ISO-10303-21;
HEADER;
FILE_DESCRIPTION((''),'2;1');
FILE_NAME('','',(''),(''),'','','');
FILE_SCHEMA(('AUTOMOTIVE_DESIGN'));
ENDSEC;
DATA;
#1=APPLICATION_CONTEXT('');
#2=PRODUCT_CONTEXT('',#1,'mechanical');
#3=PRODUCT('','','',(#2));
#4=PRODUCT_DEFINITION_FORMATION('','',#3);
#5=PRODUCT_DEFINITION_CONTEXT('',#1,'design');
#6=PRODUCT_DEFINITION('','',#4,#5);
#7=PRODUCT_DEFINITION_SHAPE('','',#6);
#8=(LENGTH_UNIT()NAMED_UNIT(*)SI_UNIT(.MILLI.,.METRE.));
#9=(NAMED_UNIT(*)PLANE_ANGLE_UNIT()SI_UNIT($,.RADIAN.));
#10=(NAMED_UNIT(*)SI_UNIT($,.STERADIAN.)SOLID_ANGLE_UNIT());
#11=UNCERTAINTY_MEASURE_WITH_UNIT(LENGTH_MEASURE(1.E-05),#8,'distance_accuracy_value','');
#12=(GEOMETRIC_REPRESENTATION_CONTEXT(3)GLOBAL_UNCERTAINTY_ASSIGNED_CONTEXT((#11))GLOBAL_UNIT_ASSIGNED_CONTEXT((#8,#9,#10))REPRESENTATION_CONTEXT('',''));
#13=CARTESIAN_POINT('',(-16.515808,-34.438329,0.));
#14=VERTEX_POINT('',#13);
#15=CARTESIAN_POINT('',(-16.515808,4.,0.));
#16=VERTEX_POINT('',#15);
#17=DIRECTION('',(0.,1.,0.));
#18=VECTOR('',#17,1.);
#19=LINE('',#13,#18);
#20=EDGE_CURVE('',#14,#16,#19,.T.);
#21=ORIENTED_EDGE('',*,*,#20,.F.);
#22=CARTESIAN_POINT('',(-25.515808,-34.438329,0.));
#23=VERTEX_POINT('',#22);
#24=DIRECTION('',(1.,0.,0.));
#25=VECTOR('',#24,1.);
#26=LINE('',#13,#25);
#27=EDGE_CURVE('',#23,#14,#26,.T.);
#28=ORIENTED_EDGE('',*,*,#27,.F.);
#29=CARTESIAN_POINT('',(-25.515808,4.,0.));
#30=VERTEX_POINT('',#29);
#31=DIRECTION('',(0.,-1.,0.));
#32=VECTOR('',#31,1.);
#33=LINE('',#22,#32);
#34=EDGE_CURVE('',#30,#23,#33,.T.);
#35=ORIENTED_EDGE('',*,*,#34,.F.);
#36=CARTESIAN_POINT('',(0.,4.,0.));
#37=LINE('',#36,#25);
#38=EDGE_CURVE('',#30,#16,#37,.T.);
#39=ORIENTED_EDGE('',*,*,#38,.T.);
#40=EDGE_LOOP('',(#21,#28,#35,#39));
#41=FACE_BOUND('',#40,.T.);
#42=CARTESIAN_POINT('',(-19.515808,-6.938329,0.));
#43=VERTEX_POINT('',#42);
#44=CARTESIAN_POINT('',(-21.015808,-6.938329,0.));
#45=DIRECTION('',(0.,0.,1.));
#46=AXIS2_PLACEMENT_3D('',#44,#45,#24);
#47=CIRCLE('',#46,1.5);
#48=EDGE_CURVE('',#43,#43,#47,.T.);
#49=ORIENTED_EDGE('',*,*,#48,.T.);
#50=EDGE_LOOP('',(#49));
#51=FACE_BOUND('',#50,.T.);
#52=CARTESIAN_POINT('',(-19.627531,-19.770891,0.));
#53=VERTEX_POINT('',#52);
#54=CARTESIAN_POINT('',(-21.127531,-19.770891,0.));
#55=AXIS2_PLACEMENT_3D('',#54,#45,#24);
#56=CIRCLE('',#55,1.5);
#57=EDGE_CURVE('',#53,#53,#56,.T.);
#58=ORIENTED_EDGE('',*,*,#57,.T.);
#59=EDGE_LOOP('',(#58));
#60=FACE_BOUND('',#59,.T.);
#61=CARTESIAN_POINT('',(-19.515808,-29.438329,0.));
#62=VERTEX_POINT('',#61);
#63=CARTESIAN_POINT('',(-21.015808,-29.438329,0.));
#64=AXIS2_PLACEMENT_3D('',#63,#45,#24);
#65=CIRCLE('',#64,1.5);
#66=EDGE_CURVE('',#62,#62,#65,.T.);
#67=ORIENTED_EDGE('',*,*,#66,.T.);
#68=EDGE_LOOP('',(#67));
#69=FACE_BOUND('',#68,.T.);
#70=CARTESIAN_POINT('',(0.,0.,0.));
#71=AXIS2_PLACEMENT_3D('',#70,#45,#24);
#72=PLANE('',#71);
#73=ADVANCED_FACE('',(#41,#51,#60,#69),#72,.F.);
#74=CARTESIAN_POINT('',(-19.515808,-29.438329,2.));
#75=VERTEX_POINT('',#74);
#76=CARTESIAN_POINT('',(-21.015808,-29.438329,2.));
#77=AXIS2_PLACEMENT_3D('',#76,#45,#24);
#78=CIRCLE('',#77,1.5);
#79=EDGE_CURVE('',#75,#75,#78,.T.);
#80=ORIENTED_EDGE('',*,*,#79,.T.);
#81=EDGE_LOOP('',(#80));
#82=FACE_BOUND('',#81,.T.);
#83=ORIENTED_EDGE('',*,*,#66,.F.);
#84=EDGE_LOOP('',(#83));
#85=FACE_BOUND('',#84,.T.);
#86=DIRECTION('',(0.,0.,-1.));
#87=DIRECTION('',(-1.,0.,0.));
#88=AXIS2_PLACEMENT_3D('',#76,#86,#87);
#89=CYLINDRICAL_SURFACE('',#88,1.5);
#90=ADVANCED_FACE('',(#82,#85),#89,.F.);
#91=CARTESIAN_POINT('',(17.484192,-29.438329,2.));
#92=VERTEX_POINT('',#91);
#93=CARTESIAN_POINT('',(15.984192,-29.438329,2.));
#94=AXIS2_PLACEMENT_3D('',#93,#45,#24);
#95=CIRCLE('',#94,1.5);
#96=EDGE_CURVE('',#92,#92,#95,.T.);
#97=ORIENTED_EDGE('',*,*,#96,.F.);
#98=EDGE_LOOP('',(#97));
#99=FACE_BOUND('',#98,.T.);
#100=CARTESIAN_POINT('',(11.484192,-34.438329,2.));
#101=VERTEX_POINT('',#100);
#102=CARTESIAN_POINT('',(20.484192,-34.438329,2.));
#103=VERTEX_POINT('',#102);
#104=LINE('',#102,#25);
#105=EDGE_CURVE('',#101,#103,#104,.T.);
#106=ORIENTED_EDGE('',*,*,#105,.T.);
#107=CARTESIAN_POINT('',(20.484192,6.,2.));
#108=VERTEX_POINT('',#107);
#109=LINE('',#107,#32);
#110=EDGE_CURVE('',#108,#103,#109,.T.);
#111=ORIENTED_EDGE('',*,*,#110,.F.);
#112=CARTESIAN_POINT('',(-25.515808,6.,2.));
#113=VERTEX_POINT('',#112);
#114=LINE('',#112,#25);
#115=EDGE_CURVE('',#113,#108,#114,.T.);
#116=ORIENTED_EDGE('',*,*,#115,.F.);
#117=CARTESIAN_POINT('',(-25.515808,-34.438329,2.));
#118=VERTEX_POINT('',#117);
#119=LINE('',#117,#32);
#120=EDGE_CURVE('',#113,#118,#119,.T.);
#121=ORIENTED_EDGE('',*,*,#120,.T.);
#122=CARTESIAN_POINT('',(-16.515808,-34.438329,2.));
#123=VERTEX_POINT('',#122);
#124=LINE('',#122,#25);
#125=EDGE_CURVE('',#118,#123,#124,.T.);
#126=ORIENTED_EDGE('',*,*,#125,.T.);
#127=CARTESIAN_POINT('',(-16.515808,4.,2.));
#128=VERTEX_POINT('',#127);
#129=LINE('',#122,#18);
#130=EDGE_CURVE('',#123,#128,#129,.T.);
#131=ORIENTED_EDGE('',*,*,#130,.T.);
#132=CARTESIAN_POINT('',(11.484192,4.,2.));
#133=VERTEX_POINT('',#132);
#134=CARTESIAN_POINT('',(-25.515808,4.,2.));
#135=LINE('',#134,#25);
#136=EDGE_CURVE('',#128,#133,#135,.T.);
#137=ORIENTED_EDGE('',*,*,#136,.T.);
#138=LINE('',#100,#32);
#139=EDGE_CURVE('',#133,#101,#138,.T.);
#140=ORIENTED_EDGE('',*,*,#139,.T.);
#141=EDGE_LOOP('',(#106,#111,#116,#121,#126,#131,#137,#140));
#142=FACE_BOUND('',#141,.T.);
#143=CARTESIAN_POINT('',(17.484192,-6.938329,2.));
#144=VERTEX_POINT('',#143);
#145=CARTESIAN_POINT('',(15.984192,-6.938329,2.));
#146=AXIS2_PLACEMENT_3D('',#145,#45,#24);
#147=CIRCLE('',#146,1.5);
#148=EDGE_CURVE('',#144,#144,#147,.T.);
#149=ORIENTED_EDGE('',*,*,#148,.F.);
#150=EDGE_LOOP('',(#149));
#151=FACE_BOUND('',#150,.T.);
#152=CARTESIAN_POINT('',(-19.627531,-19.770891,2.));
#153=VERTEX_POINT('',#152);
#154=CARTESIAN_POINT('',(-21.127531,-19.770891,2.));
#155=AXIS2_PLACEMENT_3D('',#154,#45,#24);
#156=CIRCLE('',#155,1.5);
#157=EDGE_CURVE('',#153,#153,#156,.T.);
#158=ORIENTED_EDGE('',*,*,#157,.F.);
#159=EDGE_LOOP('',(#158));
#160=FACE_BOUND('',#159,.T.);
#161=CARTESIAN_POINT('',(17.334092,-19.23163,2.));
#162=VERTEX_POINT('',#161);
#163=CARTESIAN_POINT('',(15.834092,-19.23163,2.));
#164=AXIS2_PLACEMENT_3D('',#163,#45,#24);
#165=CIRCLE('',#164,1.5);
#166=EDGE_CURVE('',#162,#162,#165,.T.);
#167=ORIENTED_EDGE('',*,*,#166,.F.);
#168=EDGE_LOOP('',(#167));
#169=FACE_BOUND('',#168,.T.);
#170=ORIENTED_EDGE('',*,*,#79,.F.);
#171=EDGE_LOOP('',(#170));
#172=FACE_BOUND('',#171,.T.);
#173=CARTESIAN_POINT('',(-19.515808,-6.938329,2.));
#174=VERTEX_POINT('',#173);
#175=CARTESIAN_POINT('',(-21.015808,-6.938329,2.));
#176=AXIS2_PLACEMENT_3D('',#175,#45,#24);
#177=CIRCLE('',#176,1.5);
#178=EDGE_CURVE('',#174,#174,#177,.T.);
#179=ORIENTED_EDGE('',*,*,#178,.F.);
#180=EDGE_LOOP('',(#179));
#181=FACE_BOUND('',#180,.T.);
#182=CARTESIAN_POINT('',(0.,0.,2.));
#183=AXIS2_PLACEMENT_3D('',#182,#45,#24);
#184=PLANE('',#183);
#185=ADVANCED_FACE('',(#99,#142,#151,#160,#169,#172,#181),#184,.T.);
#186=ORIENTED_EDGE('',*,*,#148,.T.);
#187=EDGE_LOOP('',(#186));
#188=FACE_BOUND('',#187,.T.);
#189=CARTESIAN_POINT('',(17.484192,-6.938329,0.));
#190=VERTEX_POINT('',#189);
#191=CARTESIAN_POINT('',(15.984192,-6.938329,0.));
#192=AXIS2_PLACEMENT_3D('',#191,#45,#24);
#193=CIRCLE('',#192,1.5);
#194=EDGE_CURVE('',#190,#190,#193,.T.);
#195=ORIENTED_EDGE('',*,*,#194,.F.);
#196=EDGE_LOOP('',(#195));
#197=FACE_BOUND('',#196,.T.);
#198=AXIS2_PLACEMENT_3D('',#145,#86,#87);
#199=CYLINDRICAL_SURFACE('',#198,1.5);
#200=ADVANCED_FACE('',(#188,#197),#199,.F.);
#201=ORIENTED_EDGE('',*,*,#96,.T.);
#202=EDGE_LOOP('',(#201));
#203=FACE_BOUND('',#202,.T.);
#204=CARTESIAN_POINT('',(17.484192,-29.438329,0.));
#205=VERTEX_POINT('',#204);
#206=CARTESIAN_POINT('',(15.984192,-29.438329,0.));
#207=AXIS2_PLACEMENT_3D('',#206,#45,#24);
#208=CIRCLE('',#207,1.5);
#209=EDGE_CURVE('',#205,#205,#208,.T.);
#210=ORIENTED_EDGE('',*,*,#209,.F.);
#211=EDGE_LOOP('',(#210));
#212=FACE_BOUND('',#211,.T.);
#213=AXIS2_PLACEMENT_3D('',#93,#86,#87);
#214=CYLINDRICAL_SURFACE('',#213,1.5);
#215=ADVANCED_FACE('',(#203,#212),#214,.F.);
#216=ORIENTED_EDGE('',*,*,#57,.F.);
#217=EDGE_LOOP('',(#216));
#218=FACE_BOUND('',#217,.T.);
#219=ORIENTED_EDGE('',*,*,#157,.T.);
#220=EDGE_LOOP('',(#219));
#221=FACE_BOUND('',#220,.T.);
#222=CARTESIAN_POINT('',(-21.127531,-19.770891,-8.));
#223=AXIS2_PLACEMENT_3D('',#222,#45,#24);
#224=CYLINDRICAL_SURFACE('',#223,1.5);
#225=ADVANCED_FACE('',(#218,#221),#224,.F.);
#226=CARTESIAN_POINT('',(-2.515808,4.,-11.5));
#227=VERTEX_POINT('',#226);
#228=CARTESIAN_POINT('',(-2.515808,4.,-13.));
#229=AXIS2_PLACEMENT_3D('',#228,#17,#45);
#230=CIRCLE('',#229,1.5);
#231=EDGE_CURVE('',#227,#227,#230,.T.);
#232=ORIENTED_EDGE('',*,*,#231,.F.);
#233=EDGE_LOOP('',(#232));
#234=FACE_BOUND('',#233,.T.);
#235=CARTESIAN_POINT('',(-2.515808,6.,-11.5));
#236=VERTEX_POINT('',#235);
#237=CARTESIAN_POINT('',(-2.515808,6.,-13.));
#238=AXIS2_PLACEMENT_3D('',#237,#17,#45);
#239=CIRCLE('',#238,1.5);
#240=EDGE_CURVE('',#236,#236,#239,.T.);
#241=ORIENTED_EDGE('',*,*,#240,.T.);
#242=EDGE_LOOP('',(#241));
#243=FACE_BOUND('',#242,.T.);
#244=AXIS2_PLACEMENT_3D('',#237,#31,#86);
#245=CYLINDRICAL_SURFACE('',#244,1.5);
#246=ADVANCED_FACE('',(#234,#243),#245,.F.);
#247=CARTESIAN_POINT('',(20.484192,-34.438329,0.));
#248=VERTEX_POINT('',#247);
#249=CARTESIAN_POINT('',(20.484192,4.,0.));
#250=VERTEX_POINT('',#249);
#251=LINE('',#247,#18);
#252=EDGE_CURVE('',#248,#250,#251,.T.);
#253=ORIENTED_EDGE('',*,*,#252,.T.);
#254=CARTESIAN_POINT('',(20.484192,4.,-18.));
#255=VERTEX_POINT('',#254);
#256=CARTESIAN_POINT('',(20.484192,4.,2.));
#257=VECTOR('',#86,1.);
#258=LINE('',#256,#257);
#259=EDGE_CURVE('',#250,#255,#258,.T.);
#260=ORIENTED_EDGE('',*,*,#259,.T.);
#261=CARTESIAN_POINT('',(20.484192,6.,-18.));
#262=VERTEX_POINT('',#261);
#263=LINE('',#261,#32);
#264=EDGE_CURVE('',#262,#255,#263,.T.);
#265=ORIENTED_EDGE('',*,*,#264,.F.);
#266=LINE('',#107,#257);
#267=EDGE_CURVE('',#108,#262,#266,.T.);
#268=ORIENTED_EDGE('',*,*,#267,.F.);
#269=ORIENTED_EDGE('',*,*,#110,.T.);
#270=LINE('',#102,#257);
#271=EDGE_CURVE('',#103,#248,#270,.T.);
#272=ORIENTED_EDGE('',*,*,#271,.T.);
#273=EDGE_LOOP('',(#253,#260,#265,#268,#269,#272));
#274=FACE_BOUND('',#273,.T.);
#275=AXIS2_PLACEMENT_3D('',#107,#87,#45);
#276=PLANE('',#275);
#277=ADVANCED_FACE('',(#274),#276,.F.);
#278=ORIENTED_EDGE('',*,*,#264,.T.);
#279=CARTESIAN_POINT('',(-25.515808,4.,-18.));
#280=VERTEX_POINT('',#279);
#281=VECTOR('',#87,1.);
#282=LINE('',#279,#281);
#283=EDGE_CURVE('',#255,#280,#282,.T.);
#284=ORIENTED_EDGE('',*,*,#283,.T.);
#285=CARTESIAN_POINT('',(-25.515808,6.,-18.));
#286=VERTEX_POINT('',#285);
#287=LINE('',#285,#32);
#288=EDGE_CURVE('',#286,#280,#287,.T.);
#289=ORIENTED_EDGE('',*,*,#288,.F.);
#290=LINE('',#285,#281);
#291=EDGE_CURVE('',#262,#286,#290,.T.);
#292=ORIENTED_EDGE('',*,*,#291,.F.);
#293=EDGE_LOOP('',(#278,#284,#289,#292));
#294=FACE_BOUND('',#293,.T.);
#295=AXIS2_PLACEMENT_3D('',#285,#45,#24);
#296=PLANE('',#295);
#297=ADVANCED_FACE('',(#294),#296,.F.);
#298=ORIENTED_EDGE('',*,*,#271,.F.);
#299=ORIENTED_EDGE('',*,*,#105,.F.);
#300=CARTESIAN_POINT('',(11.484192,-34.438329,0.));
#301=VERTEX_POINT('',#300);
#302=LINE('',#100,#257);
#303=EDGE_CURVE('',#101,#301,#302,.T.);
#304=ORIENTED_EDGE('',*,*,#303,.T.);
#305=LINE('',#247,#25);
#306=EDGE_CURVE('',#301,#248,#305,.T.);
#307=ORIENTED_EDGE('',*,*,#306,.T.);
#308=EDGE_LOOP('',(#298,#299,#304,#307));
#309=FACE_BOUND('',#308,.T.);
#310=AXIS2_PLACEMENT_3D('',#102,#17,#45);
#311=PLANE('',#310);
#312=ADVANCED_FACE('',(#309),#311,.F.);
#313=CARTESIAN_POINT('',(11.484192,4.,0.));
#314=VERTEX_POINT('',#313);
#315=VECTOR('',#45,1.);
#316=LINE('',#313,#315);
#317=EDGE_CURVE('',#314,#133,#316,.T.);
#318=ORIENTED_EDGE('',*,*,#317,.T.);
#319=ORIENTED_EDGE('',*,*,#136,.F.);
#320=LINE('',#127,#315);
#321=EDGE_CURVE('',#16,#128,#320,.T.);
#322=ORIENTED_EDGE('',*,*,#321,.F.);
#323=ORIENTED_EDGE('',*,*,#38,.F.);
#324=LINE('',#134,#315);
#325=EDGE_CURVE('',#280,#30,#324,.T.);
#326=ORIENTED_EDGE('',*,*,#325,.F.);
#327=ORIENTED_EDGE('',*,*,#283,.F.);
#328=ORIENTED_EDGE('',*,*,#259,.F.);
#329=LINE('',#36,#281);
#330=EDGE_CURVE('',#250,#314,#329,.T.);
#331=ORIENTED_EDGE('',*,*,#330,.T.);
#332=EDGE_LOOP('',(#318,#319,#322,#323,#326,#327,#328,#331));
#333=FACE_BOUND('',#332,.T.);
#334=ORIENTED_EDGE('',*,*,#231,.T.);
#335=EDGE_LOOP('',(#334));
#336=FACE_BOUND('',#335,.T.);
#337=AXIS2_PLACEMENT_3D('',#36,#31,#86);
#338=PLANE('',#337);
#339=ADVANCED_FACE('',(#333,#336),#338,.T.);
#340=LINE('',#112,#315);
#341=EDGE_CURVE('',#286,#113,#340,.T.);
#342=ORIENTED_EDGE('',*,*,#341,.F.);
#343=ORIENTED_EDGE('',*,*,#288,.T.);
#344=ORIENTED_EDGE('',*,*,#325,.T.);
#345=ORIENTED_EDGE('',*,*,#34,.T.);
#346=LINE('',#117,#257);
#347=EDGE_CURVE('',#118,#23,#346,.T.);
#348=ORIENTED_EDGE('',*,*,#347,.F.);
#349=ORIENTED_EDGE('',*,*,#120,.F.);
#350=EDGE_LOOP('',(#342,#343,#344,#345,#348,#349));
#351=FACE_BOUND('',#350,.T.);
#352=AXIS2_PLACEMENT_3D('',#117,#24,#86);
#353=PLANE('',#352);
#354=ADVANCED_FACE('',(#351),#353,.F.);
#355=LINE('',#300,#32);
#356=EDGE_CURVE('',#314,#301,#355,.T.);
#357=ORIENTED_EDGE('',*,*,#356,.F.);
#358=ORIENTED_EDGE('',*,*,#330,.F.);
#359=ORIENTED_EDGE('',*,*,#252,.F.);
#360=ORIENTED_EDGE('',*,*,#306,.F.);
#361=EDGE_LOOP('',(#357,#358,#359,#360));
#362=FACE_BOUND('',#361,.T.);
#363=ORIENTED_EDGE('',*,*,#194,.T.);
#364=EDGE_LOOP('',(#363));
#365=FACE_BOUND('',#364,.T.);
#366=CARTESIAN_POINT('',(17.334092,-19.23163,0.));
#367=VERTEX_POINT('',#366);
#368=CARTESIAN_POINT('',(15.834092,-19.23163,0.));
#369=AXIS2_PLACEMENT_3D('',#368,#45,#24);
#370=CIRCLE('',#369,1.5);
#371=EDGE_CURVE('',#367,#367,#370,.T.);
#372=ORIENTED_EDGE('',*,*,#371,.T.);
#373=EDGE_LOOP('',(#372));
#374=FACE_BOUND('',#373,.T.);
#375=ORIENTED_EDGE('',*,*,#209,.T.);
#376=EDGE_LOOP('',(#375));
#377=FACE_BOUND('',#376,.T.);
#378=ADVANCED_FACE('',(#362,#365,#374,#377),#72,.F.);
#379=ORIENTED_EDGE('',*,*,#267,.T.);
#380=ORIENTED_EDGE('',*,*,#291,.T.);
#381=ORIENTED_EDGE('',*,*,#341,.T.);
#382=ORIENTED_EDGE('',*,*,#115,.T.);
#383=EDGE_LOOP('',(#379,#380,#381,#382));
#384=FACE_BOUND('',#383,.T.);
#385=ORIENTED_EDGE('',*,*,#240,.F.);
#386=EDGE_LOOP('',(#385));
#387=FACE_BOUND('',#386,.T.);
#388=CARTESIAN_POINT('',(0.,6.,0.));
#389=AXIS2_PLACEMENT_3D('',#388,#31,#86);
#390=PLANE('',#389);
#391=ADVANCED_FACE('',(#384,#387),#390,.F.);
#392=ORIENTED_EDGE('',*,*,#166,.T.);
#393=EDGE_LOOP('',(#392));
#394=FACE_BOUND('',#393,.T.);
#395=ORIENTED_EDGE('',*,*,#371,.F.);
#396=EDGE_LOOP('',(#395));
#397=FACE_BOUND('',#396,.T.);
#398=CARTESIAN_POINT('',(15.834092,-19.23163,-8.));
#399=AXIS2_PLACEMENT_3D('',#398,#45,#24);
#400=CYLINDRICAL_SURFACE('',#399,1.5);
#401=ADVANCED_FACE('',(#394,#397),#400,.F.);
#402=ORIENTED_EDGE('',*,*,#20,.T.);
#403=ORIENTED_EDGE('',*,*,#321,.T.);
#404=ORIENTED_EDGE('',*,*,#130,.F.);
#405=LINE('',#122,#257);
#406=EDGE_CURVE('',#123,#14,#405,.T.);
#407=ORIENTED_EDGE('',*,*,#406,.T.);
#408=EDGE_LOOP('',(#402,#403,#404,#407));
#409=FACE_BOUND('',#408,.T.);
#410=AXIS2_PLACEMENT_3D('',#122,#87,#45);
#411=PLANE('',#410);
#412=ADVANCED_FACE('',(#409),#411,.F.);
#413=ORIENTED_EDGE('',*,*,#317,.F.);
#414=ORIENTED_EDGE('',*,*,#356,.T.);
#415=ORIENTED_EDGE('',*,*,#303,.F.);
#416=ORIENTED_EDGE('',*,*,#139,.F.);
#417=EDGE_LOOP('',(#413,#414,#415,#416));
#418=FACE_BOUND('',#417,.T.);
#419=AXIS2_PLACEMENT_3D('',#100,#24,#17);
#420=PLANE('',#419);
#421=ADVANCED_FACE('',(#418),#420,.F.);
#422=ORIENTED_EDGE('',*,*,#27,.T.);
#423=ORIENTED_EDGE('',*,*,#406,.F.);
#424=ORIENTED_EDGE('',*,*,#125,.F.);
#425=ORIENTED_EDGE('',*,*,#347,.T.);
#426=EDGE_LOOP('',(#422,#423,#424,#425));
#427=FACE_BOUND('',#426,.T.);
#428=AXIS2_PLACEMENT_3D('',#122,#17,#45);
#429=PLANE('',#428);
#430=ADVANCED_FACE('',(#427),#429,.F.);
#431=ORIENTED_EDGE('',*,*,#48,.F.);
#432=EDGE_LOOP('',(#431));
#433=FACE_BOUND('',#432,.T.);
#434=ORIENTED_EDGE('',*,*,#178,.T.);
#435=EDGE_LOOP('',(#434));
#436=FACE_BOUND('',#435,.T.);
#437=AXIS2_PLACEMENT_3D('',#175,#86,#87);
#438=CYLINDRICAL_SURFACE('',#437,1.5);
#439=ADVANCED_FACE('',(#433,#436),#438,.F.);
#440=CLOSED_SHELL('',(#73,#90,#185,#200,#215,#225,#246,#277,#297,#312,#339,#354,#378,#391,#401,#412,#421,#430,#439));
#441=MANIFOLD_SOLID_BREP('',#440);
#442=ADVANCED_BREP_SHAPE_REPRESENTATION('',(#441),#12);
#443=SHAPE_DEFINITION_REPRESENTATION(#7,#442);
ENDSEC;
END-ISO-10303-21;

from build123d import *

# Parameters (mm, degrees)
SKETCH3_W             = 9
SKETCH3_H             = 40
SKETCH3_R             = 1.5
BOSS_EXTRUDE5_DEPTH   = 2
BOSS_EXTRUDE5_2_DEPTH = 2
SKETCH5_W             = 46
SKETCH5_H             = 20
SKETCH5_R             = 1.5
BOSS_EXTRUDE7_DEPTH   = 2
SKETCH6_R             = 1.5
CUT_EXTRUDE1_DEPTH    = 10
SKETCH7_R             = 1.5
CUT_EXTRUDE2_DEPTH    = 10


with BuildPart() as part:
    # Sketch3 → Boss-Extrude5 (new body)
    with BuildSketch(Plane.XY):
        with Locations((-21.015808288, -14.438328765)):
            Rectangle(SKETCH3_W, SKETCH3_H)
        with Locations((-21.015808288, -29.438328765)):
            Circle(SKETCH3_R, mode=Mode.SUBTRACT)
        with Locations((-21.015808288, -6.938328765)):
            Circle(SKETCH3_R, mode=Mode.SUBTRACT)
    extrude(amount=BOSS_EXTRUDE5_DEPTH)



with BuildPart() as body_2:
    # Sketch3 → Boss-Extrude5 2 (new body)
    with BuildSketch(Plane.XY):
        with Locations((15.984191712, -14.438328765)):
            Rectangle(SKETCH3_W, SKETCH3_H)
        with Locations((15.984191712, -29.438328765)):
            Circle(SKETCH3_R, mode=Mode.SUBTRACT)
        with Locations((15.984191712, -6.938328765)):
            Circle(SKETCH3_R, mode=Mode.SUBTRACT)
    extrude(amount=BOSS_EXTRUDE5_2_DEPTH)


with BuildPart() as part_1:
    add(part.part)

    add(body_2.part)  # Boss-Extrude7 merges body 2
    # Sketch5 → Boss-Extrude7 (add)
    with BuildSketch(Plane(origin=(0, 4, 0), x_dir=(1, 0, 0), z_dir=(0, 1, 0))):
        with Locations((-2.515808288, 8)):
            Rectangle(SKETCH5_W, SKETCH5_H)
        with Locations(Location((-2.515808288, 13, 0), (0, 0, 270))):
            Circle(SKETCH5_R, mode=Mode.SUBTRACT)
    extrude(amount=BOSS_EXTRUDE7_DEPTH)

    # Sketch6 → Cut-Extrude1 (cut)
    with BuildSketch(Plane.XY.offset(2)):
        with Locations((15.834091702, -19.231630496)):
            Circle(SKETCH6_R)
    extrude(amount=-CUT_EXTRUDE1_DEPTH, mode=Mode.SUBTRACT)

    # Sketch7 → Cut-Extrude2 (cut)
    with BuildSketch(Plane.XY.offset(2)):
        with Locations((-21.127531315, -19.770890517)):
            Circle(SKETCH7_R)
    extrude(amount=-CUT_EXTRUDE2_DEPTH, mode=Mode.SUBTRACT)


solid = part_1.part
